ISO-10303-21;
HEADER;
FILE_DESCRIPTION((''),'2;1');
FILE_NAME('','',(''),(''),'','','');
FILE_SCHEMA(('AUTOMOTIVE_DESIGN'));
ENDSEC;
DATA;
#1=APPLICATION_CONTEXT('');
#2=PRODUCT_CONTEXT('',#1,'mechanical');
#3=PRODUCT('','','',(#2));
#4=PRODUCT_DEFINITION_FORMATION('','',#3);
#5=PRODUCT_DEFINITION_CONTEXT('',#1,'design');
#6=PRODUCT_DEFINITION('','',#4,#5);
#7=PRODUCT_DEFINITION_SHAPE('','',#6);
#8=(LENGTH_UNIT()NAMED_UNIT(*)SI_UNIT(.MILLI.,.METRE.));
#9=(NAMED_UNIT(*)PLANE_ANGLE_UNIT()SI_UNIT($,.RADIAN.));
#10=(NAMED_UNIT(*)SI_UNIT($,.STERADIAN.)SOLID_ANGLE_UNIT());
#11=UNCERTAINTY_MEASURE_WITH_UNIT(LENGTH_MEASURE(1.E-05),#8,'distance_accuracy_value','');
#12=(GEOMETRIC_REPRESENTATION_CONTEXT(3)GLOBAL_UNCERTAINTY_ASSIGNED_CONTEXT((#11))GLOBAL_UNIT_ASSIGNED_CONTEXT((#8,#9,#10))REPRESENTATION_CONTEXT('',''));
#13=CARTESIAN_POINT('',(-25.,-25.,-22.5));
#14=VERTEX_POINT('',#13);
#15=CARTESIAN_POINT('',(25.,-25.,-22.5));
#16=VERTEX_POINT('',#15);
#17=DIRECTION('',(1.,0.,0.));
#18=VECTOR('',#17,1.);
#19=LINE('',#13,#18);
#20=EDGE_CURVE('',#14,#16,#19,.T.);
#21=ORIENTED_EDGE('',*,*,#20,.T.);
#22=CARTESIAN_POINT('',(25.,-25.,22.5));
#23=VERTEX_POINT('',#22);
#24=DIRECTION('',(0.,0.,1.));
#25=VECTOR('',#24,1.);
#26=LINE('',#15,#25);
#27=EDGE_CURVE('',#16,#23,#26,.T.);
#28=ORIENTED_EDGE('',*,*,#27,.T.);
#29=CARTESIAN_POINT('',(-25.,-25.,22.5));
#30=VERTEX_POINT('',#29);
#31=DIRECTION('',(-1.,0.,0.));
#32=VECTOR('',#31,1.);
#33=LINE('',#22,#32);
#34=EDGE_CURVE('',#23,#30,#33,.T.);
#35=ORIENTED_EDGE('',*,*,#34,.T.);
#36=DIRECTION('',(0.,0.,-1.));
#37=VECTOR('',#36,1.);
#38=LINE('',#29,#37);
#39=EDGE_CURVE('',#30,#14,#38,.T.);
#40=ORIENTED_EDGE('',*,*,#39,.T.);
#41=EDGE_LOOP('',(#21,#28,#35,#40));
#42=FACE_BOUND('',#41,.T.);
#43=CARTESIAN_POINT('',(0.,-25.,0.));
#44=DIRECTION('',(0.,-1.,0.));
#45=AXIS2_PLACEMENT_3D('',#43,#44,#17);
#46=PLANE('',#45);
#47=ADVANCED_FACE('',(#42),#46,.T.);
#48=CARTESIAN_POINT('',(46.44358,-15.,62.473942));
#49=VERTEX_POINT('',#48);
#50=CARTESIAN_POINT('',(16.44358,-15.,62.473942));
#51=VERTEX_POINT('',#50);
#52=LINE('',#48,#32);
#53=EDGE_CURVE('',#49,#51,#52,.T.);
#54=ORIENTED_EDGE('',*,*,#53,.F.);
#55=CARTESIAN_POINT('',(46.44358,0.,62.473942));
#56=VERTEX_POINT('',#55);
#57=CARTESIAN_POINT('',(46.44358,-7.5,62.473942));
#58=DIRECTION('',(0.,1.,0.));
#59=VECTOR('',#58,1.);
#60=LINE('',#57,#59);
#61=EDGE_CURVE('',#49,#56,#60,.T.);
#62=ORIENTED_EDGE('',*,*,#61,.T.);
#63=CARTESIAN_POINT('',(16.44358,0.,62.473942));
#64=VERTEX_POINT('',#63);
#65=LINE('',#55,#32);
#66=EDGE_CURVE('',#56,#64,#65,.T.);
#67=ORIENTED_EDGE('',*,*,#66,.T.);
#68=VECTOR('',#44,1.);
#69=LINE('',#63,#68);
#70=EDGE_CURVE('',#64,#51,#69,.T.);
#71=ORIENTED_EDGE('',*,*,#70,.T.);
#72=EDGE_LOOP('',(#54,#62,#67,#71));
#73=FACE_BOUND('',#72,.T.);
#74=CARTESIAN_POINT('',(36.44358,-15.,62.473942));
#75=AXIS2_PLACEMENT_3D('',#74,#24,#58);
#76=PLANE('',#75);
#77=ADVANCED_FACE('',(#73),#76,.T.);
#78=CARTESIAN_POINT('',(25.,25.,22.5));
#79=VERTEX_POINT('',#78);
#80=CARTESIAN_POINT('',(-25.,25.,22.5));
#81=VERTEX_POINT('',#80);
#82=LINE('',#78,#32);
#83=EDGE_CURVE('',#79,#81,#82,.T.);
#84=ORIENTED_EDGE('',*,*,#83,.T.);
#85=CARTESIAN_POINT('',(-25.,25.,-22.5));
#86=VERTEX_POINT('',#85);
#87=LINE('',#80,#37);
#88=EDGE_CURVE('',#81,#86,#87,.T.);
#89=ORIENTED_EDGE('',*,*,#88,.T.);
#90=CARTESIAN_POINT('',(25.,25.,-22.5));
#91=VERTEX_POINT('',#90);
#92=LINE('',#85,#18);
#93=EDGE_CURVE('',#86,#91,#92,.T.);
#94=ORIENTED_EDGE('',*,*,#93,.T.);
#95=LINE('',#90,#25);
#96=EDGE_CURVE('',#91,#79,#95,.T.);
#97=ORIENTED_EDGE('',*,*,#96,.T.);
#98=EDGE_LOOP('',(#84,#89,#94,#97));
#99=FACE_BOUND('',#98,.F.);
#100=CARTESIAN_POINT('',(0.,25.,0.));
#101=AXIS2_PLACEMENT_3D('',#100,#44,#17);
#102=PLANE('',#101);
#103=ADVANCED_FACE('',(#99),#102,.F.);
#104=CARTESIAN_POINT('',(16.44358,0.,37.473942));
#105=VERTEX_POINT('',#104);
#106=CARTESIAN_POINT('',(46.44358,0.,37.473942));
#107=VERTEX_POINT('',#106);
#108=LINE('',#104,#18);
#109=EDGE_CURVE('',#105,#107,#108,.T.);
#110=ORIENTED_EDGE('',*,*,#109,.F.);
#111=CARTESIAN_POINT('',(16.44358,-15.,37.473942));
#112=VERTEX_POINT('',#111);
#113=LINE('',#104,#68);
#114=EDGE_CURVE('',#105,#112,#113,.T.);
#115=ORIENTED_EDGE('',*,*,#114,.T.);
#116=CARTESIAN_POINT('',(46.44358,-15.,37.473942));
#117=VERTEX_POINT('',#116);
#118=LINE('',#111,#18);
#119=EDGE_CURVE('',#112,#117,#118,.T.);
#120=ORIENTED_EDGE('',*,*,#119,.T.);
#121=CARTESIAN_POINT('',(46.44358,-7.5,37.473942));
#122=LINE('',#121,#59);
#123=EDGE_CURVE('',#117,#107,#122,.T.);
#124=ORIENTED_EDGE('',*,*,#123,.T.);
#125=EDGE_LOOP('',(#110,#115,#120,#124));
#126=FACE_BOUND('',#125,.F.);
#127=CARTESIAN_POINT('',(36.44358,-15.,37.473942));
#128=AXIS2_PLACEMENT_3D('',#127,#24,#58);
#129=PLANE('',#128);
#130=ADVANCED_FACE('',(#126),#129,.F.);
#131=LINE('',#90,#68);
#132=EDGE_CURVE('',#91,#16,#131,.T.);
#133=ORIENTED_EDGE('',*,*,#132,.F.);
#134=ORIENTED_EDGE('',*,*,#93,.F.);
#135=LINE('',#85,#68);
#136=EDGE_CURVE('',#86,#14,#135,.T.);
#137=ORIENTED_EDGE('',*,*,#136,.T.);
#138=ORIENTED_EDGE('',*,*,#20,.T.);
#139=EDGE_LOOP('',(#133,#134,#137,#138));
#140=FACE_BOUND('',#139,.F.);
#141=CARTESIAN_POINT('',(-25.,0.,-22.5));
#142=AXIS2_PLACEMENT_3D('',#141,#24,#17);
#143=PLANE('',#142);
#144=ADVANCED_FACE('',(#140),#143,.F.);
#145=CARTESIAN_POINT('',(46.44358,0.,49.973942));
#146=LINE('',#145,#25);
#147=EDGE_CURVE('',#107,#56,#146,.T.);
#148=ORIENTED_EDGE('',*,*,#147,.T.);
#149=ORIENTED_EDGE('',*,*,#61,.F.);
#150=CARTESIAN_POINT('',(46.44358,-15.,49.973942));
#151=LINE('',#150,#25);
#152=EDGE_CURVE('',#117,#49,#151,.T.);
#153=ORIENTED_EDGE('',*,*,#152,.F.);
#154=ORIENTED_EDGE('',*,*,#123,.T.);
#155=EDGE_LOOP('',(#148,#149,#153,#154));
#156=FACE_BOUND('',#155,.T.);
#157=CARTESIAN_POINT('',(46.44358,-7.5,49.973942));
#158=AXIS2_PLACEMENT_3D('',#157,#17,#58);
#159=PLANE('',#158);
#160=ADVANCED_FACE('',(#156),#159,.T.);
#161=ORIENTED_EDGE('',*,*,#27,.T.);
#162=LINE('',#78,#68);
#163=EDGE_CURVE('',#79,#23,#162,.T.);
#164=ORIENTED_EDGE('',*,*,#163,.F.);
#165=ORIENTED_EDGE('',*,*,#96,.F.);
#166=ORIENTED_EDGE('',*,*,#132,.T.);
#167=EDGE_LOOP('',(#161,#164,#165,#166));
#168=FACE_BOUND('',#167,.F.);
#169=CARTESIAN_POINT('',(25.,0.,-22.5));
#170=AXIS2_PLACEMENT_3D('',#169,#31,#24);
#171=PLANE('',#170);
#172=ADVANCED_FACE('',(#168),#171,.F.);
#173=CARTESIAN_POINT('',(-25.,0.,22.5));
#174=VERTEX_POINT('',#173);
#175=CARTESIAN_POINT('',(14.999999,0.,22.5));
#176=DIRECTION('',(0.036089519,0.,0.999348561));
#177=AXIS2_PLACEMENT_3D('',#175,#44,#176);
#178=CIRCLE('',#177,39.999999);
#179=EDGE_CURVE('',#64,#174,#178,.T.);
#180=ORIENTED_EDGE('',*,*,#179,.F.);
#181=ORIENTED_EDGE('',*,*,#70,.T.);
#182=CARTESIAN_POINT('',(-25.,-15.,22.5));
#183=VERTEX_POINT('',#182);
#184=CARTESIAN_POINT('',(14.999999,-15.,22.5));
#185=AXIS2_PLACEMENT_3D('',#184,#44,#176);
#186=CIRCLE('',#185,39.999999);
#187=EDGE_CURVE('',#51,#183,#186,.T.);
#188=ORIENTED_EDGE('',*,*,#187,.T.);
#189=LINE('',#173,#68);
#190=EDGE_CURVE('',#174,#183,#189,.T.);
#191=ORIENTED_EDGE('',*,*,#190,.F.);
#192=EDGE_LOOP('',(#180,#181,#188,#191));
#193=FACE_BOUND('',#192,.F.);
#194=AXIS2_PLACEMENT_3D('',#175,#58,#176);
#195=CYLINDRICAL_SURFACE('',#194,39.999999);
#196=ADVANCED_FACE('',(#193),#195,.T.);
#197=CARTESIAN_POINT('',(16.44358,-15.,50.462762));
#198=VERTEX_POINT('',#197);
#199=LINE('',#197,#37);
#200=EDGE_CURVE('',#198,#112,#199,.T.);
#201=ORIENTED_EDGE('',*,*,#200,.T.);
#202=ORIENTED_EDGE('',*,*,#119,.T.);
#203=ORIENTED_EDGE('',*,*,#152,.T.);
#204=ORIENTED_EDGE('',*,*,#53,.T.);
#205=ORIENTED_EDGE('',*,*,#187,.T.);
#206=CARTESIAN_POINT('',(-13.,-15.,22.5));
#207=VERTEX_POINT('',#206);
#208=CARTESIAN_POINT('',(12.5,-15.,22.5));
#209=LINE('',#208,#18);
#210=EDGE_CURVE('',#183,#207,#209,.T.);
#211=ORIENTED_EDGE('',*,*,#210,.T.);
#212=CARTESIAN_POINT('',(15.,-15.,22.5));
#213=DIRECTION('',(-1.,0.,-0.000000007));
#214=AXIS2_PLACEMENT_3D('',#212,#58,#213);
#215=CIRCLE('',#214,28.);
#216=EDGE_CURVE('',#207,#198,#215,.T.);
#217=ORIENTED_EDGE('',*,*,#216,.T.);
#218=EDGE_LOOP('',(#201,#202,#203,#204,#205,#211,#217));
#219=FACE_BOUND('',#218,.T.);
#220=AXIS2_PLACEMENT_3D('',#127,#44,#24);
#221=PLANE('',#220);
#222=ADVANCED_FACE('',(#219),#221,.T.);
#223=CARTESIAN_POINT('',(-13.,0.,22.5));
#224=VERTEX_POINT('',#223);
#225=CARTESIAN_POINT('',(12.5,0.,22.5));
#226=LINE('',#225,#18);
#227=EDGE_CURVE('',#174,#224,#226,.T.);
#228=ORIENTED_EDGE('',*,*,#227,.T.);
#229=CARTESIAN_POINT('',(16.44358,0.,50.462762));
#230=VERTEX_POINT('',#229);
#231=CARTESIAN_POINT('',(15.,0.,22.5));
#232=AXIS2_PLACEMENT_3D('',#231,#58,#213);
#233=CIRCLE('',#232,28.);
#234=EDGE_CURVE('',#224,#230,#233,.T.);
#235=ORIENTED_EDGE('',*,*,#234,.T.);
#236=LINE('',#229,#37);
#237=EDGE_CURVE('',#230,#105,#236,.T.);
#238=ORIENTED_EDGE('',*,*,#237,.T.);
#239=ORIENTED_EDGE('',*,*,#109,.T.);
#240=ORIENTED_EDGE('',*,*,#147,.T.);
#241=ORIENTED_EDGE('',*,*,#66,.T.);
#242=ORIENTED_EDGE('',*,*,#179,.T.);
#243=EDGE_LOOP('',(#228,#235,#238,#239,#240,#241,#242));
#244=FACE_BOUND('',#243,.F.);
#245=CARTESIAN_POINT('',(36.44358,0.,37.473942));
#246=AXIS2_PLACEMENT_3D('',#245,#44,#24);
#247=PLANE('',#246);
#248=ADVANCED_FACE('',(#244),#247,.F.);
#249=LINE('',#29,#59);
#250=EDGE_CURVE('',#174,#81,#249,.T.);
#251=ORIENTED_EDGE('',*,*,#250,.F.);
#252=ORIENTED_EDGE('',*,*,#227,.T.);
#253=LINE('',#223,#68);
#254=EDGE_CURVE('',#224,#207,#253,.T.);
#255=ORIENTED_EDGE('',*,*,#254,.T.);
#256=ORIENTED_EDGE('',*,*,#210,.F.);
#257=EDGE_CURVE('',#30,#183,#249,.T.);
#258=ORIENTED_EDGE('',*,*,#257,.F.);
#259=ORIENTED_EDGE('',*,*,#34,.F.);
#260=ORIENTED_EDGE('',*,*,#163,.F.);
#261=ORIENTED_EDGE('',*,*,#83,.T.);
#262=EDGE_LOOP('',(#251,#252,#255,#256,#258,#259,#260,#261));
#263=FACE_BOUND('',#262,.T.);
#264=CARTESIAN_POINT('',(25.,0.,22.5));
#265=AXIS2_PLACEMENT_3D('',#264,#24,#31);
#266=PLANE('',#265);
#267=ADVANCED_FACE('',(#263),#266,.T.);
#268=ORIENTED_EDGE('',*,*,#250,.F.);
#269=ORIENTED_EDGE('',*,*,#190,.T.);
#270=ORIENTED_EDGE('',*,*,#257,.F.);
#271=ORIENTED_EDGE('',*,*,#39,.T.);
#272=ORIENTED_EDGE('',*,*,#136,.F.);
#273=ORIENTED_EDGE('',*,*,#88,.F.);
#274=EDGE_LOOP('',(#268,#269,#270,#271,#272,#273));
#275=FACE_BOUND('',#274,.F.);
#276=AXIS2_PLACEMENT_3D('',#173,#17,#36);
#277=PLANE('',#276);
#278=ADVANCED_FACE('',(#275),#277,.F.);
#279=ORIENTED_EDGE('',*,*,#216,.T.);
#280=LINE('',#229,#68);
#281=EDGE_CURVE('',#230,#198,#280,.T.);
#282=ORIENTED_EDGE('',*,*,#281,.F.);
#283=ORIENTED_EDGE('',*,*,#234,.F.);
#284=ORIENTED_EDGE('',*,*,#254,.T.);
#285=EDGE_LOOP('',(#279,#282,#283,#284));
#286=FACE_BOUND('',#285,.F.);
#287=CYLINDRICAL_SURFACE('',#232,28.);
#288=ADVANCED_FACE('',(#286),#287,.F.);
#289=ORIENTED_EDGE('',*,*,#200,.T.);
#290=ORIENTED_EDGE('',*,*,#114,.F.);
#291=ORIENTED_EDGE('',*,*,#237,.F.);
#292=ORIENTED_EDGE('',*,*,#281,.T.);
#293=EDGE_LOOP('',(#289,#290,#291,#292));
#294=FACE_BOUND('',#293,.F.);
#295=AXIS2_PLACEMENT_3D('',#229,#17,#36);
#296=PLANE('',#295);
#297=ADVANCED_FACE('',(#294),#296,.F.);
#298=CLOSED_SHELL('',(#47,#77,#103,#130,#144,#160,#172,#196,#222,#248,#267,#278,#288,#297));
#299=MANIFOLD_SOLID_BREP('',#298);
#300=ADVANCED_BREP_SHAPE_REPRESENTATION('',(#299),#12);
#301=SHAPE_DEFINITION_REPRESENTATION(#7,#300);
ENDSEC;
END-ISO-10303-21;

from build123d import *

# Parameters (mm, degrees)
F1_DEPTH  = 25
F2_DEPTH  = 15
F2_FACE_W = 15
F2_FACE_H = 25
F3_DEPTH  = 10


with BuildPart() as f1:
    # F0 (on Front) → F1 (new body, symmetric)
    with BuildSketch(Plane.XZ):
        Polygon((-25, 22.5), (-25, -22.5), (25, -22.5), (25, 22.5), (-13, 22.5), align=None)
    extrude(amount=F1_DEPTH, both=True)

    # F0 (on Front) → F2 (join)
    with BuildSketch(Plane.XZ):
        Polygon((-25, 22.5), (-25, -22.5), (25, -22.5), (25, 22.5), (-13, 22.5), align=None)
        with BuildLine():
            ThreePointArc((16.44358, 62.473942), (-12.769199, 51.29013), (-25, 22.5))
            Line((-25, 22.5), (-13, 22.5))
            ThreePointArc((-13, 22.5), (-4.281853, 42.802959), (16.44358, 50.462762))
            Line((16.44358, 50.462762), (16.44358, 62.473942))
        make_face()
        Polygon((36.44358, 62.473942), (16.44358, 62.473942), (16.44358, 50.462762), (16.44358, 37.473942), (36.44358, 37.473942), align=None)
    extrude(amount=F2_DEPTH)

    # F2_face (on face) → F3 (join)
    with BuildSketch(Plane(origin=(36.44358, -7.5, 49.973942), x_dir=(0, 1, 0), z_dir=(1, 0, 0))):
        Rectangle(F2_FACE_W, F2_FACE_H)
    extrude(amount=F3_DEPTH)


solid = f1.part
